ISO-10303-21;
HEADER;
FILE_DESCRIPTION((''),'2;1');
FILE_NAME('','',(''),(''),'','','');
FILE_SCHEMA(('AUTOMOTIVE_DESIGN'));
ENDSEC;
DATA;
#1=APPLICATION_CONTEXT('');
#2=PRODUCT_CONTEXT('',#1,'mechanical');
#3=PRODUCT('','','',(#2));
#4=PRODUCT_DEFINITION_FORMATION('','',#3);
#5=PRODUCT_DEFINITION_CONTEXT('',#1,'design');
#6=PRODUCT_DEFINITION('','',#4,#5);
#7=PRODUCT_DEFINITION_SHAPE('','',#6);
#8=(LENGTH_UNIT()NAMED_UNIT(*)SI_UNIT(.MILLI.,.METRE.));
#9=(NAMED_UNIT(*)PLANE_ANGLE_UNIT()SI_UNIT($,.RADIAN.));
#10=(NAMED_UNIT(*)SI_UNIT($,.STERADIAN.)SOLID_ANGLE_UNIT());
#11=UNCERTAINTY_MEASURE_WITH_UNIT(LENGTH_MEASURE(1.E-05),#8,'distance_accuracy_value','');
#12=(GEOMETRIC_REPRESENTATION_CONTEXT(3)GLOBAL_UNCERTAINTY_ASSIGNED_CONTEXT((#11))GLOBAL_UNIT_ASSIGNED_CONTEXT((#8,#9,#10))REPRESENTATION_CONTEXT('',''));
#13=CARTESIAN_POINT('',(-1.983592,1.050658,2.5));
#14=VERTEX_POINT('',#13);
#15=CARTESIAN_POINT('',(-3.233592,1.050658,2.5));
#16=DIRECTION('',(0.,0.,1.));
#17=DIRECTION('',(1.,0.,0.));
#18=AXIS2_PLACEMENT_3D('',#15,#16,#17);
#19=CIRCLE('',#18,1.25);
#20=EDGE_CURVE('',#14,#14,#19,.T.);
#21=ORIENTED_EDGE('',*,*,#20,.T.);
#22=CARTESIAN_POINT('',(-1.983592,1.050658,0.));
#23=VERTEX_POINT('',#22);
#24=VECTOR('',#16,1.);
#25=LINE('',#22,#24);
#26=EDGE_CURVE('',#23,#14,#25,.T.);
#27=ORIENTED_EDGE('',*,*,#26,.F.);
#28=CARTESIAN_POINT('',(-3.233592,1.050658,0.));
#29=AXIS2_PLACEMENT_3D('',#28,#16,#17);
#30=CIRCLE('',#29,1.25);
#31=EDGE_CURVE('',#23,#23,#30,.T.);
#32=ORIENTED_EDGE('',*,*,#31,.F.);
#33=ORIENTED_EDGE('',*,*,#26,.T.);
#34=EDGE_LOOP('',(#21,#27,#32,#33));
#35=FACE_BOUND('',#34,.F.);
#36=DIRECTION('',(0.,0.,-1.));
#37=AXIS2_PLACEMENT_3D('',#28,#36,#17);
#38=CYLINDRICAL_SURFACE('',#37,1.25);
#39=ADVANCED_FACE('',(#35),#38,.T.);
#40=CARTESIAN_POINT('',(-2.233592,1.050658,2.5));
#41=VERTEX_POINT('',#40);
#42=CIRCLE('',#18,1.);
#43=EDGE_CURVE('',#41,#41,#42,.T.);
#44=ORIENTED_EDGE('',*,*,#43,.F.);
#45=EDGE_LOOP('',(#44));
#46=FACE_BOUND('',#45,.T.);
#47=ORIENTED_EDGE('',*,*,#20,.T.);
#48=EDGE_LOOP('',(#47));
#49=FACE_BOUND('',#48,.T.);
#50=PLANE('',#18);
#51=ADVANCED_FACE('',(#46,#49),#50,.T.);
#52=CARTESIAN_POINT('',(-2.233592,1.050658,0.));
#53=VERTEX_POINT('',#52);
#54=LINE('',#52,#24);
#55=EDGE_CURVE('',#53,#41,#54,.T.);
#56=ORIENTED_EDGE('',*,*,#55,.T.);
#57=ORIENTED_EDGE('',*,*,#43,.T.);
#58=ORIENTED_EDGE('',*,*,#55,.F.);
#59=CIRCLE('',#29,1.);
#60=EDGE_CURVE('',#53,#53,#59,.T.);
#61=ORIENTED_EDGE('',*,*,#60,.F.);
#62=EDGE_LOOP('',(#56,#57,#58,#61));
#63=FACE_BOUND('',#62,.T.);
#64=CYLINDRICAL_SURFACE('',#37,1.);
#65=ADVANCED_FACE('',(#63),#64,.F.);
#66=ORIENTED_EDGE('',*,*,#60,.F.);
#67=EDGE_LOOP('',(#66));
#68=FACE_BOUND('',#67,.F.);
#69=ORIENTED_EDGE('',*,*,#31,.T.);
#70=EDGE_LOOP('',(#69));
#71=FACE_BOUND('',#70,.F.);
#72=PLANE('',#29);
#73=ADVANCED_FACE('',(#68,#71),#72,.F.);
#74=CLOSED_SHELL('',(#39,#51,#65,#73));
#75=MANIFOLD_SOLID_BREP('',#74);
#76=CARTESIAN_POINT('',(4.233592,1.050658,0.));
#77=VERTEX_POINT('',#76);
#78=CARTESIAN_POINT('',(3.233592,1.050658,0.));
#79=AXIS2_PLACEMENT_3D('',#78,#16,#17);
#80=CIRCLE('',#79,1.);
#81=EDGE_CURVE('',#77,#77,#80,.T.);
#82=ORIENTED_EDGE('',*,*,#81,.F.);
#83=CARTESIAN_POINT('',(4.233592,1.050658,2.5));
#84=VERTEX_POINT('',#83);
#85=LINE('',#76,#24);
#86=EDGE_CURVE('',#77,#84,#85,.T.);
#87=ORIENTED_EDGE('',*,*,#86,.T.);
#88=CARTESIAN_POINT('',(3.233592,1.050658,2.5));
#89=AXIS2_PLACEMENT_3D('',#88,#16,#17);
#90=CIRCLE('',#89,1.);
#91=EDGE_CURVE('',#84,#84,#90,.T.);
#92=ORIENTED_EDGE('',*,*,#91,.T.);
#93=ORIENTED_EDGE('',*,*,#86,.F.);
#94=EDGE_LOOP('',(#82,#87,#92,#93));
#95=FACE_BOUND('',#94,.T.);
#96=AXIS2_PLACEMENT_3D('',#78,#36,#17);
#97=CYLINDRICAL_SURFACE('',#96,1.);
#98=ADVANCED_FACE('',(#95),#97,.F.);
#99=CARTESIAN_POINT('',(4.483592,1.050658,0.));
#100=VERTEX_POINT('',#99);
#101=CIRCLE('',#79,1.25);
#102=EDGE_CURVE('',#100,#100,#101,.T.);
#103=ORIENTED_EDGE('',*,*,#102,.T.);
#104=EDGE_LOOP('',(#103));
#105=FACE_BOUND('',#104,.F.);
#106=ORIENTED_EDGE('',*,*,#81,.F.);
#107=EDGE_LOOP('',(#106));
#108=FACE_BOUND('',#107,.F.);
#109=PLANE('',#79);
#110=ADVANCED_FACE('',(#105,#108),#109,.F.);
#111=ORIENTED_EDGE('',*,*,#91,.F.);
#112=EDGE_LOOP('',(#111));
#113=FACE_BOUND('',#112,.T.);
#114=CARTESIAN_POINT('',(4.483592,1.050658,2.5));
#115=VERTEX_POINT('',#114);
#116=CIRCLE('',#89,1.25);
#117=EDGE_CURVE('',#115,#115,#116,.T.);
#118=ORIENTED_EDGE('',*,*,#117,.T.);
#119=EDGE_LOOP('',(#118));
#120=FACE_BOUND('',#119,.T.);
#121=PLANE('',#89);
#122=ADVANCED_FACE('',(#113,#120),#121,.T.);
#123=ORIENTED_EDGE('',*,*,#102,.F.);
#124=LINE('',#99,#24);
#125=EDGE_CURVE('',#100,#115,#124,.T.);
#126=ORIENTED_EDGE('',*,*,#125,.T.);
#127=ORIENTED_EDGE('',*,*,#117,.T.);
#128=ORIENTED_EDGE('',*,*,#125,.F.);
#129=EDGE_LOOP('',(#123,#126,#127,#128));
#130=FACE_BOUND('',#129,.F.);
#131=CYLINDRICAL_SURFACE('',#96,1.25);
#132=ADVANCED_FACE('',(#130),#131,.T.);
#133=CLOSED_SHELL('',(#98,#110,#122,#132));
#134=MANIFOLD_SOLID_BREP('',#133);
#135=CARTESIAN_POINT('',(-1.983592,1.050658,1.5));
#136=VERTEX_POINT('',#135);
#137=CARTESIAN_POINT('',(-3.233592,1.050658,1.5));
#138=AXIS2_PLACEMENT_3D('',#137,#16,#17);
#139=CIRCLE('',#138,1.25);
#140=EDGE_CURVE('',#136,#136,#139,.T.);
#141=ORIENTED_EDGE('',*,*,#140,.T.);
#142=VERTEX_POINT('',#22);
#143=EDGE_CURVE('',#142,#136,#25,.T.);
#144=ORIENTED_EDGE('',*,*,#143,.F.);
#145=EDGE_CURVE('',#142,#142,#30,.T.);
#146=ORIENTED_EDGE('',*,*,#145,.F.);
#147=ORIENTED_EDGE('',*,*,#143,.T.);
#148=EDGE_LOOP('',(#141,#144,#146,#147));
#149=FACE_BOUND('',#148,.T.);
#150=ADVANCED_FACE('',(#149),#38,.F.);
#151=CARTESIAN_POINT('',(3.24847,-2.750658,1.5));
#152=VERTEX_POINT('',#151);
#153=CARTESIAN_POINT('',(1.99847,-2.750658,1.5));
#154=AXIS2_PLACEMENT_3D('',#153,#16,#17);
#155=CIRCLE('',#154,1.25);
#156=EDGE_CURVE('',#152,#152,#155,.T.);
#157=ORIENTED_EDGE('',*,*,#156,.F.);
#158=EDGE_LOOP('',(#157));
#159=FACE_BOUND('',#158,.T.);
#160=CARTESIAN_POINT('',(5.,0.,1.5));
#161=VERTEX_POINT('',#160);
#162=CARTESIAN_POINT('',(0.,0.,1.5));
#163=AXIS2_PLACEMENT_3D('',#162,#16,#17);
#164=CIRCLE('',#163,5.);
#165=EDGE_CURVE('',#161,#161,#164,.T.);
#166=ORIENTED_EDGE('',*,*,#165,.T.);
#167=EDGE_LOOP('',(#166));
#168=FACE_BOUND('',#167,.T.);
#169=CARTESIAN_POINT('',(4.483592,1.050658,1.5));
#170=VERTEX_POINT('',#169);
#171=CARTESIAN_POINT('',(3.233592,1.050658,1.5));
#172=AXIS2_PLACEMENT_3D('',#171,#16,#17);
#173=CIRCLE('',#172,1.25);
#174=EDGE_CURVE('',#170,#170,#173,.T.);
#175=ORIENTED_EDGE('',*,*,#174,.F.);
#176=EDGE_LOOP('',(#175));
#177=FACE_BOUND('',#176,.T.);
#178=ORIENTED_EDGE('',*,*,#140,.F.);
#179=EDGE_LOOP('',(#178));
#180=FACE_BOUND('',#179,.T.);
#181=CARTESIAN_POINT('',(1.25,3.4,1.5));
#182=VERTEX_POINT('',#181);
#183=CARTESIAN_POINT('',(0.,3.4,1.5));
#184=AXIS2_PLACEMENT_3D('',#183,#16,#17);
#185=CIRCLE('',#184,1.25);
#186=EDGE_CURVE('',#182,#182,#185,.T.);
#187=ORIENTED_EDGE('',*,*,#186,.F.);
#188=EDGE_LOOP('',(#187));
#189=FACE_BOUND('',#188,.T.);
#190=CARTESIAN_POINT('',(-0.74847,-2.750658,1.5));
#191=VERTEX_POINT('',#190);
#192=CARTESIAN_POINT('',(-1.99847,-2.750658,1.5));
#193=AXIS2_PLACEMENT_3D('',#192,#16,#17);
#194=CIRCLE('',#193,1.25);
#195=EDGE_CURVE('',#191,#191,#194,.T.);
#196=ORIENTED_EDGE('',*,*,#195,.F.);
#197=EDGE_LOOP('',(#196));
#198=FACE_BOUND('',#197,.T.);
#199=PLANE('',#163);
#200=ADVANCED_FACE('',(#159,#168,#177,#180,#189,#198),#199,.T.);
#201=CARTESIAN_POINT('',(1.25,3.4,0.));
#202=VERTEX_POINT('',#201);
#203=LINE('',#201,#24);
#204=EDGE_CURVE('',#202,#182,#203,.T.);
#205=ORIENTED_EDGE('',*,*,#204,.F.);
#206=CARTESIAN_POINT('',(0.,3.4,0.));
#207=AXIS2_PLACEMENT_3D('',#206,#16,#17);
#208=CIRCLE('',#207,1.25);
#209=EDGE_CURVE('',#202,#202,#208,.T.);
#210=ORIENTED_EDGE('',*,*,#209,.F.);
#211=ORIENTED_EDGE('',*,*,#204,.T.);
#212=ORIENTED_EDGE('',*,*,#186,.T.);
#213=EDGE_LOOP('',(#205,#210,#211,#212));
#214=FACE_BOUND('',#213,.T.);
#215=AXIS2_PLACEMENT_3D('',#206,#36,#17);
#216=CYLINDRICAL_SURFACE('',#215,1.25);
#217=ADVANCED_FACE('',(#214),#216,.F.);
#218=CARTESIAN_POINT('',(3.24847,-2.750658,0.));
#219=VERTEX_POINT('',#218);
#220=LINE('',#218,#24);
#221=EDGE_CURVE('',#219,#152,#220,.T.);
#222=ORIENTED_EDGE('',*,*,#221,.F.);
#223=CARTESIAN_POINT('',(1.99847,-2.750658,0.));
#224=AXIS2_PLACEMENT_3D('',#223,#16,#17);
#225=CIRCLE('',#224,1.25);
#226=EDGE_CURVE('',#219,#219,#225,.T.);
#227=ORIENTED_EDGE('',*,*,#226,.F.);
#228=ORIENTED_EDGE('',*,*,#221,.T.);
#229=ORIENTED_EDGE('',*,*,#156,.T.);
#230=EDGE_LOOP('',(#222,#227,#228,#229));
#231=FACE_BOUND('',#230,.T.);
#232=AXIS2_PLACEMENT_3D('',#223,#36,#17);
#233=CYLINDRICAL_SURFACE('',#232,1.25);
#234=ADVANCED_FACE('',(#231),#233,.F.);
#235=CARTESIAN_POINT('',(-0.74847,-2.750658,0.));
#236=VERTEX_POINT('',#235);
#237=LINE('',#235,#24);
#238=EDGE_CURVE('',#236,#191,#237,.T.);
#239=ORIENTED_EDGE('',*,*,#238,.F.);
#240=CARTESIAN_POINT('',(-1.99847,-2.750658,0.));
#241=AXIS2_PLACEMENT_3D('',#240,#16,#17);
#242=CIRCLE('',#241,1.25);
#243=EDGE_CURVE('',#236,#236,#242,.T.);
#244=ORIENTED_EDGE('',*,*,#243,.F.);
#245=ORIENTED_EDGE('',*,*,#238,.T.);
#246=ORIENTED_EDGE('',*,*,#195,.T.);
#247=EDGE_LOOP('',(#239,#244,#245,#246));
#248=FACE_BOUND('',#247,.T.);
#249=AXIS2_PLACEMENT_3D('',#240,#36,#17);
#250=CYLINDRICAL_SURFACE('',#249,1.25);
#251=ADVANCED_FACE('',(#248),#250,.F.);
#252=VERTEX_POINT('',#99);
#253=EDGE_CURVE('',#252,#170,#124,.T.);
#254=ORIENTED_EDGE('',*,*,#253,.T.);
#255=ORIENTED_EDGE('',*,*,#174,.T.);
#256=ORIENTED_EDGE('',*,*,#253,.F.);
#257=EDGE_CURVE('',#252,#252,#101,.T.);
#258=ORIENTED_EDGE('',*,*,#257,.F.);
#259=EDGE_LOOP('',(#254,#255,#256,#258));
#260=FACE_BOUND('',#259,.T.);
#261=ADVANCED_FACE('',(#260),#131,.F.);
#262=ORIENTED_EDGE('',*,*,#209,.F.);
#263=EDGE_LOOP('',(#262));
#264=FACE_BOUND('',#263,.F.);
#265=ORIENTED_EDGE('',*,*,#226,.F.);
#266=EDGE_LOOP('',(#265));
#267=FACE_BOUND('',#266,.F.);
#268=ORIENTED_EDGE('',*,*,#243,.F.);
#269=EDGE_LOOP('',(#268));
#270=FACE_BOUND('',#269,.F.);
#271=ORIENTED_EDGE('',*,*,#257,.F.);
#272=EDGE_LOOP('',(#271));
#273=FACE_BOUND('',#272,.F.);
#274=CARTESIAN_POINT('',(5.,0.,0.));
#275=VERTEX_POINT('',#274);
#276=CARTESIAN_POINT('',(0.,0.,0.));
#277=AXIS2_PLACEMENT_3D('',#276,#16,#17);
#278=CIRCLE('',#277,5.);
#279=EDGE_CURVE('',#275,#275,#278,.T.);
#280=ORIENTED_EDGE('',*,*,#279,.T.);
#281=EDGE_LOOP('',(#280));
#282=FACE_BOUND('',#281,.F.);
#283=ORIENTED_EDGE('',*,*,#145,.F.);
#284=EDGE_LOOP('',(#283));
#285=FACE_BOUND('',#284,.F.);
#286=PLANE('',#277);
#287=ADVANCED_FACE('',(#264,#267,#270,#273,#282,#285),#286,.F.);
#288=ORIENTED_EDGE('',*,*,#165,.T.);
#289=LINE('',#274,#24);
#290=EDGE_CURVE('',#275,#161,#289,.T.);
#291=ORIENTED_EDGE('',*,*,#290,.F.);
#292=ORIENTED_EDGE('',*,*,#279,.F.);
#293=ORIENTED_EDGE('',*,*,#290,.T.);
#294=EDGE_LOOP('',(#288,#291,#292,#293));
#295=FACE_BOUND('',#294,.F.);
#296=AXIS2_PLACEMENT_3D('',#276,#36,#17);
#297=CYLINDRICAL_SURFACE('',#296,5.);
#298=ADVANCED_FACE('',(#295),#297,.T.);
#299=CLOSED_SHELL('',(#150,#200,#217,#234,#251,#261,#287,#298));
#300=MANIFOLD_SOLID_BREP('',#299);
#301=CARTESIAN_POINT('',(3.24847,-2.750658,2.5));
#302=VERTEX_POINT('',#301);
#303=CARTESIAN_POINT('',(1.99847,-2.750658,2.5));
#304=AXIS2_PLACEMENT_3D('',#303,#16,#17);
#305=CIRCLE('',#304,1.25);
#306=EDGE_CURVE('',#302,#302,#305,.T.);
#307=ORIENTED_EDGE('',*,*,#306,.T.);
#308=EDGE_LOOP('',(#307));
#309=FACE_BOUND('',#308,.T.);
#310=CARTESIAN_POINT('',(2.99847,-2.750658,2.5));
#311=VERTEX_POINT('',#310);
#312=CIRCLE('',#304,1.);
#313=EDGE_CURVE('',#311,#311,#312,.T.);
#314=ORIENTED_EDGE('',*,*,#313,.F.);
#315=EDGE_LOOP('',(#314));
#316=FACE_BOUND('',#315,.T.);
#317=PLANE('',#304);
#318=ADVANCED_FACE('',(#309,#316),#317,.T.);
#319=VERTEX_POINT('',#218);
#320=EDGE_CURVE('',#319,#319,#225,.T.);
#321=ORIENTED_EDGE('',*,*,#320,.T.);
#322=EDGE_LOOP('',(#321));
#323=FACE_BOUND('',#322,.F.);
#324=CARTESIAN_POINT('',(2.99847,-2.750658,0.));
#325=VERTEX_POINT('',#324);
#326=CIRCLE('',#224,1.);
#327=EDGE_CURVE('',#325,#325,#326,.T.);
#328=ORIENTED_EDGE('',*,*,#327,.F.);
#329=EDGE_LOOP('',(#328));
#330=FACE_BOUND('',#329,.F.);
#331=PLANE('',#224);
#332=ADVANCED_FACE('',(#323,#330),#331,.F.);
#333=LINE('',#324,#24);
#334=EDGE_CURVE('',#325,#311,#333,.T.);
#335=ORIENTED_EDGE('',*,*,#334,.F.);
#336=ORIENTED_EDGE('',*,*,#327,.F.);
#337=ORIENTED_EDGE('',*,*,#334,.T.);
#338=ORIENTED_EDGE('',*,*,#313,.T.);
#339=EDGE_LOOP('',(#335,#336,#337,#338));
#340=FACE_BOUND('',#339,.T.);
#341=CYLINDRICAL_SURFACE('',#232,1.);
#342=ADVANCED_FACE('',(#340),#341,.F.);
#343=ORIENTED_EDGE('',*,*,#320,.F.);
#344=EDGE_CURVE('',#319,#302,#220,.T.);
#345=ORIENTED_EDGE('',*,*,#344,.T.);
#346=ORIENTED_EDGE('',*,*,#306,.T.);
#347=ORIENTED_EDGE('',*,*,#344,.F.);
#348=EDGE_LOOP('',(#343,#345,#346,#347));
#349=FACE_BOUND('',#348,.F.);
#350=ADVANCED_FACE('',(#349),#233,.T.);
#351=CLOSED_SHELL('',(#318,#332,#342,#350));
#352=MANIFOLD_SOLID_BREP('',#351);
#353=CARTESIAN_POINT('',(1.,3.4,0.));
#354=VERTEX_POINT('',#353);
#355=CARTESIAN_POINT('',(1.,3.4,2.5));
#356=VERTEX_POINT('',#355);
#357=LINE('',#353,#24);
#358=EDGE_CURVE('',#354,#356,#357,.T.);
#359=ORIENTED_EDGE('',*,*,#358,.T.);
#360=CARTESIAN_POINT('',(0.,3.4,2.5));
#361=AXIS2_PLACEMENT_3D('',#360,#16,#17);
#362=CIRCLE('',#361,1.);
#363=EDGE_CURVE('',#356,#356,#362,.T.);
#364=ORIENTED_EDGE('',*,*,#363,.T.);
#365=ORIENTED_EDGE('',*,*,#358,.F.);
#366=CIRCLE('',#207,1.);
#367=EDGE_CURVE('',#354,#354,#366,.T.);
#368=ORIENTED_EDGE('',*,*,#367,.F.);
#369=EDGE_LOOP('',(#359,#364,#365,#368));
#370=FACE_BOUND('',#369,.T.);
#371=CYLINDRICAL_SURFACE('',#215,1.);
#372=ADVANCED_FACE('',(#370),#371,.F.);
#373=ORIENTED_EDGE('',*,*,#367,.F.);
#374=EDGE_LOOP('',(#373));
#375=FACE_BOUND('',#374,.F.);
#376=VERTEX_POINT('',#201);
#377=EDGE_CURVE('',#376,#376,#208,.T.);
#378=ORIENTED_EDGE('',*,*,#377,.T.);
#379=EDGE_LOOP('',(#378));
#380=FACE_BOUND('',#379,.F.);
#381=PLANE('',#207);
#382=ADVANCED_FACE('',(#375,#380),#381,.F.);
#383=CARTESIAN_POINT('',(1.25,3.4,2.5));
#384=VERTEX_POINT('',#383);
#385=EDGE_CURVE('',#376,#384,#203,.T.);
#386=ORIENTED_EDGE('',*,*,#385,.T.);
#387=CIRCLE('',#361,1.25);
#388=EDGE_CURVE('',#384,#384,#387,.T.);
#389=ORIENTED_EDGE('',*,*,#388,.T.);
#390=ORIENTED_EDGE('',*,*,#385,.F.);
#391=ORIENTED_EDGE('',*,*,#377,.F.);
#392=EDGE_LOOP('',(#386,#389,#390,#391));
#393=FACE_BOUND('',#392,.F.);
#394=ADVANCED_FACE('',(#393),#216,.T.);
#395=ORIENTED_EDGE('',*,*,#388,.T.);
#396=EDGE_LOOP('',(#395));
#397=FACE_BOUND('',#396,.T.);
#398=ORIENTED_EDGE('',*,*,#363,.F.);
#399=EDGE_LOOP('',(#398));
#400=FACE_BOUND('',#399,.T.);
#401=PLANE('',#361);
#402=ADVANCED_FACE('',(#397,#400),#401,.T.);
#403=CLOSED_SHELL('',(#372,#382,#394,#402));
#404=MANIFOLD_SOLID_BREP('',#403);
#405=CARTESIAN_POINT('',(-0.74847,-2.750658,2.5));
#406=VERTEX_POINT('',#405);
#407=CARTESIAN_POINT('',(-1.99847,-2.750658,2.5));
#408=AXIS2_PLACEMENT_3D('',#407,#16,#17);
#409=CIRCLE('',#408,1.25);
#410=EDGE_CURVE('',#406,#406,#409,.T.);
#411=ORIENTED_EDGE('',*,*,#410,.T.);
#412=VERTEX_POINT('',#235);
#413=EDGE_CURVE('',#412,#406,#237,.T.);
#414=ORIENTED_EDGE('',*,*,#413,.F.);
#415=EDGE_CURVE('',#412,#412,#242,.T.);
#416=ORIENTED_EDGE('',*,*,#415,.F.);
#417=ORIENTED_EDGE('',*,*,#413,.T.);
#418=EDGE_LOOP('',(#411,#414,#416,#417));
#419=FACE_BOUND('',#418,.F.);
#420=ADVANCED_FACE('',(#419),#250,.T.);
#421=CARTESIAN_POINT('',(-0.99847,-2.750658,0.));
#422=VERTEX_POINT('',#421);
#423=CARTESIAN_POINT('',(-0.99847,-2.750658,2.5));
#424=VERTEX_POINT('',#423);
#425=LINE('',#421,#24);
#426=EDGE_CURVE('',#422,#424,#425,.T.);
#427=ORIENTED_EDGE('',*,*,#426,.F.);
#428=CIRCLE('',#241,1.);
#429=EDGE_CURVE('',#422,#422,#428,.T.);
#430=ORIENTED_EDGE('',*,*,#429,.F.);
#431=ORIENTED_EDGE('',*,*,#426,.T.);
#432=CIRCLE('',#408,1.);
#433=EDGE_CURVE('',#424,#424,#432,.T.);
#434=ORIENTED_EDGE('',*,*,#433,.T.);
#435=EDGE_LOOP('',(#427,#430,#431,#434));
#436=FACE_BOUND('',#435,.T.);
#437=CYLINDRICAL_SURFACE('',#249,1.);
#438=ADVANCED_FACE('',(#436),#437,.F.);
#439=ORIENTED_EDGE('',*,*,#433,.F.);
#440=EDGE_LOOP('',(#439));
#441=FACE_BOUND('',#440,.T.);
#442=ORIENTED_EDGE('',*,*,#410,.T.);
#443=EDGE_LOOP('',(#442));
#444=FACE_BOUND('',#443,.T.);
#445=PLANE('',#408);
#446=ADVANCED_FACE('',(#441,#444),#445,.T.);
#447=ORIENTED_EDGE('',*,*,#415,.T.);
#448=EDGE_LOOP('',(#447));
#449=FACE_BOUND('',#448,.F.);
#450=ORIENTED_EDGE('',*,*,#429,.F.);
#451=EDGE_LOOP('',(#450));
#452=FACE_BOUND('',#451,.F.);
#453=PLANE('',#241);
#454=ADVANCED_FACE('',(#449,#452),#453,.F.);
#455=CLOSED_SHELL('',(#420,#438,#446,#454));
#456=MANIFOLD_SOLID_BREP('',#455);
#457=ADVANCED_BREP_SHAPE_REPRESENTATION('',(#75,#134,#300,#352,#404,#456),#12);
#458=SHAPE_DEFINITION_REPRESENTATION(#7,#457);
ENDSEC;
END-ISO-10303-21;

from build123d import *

# Parameters (mm, degrees)
F0_R     = 1.25
F0_R_2   = 1
F1_DEPTH = 2.5
F0_R_3   = 5
F2_DEPTH = 1.5


with BuildPart() as f1:
    # F0 (on Top) → F1 (new body)
    with BuildSketch(Plane.XY):
        with Locations((-1.99847, -2.750658)):
            Circle(F0_R)
        with Locations((-1.99847, -2.750658)):
            Circle(F0_R_2, mode=Mode.SUBTRACT)
        with Locations((-3.233592, 1.050658)):
            Circle(F0_R)
        with Locations((-3.233592, 1.050658)):
            Circle(F0_R_2, mode=Mode.SUBTRACT)
        with Locations((1.99847, -2.750658)):
            Circle(F0_R)
        with Locations((1.99847, -2.750658)):
            Circle(F0_R_2, mode=Mode.SUBTRACT)
        with Locations((3.233592, 1.050658)):
            Circle(F0_R)
        with Locations((3.233592, 1.050658)):
            Circle(F0_R_2, mode=Mode.SUBTRACT)
        with Locations((0, 3.4)):
            Circle(F0_R)
        with Locations((0, 3.4)):
            Circle(F0_R_2, mode=Mode.SUBTRACT)
    extrude(amount=F1_DEPTH)


with BuildPart() as f2:
    # F0 (on Top) → F2 (new body)
    with BuildSketch(Plane.XY):
        Circle(F0_R_3)
        with Locations((-1.99847, -2.750658)):
            Circle(F0_R, mode=Mode.SUBTRACT)
        with Locations((1.99847, -2.750658)):
            Circle(F0_R, mode=Mode.SUBTRACT)
        with Locations((-3.233592, 1.050658)):
            Circle(F0_R, mode=Mode.SUBTRACT)
        with Locations((3.233592, 1.050658)):
            Circle(F0_R, mode=Mode.SUBTRACT)
        with Locations((0, 3.4)):
            Circle(F0_R, mode=Mode.SUBTRACT)
    extrude(amount=F2_DEPTH)


solid = Compound([f1.part, f2.part])
